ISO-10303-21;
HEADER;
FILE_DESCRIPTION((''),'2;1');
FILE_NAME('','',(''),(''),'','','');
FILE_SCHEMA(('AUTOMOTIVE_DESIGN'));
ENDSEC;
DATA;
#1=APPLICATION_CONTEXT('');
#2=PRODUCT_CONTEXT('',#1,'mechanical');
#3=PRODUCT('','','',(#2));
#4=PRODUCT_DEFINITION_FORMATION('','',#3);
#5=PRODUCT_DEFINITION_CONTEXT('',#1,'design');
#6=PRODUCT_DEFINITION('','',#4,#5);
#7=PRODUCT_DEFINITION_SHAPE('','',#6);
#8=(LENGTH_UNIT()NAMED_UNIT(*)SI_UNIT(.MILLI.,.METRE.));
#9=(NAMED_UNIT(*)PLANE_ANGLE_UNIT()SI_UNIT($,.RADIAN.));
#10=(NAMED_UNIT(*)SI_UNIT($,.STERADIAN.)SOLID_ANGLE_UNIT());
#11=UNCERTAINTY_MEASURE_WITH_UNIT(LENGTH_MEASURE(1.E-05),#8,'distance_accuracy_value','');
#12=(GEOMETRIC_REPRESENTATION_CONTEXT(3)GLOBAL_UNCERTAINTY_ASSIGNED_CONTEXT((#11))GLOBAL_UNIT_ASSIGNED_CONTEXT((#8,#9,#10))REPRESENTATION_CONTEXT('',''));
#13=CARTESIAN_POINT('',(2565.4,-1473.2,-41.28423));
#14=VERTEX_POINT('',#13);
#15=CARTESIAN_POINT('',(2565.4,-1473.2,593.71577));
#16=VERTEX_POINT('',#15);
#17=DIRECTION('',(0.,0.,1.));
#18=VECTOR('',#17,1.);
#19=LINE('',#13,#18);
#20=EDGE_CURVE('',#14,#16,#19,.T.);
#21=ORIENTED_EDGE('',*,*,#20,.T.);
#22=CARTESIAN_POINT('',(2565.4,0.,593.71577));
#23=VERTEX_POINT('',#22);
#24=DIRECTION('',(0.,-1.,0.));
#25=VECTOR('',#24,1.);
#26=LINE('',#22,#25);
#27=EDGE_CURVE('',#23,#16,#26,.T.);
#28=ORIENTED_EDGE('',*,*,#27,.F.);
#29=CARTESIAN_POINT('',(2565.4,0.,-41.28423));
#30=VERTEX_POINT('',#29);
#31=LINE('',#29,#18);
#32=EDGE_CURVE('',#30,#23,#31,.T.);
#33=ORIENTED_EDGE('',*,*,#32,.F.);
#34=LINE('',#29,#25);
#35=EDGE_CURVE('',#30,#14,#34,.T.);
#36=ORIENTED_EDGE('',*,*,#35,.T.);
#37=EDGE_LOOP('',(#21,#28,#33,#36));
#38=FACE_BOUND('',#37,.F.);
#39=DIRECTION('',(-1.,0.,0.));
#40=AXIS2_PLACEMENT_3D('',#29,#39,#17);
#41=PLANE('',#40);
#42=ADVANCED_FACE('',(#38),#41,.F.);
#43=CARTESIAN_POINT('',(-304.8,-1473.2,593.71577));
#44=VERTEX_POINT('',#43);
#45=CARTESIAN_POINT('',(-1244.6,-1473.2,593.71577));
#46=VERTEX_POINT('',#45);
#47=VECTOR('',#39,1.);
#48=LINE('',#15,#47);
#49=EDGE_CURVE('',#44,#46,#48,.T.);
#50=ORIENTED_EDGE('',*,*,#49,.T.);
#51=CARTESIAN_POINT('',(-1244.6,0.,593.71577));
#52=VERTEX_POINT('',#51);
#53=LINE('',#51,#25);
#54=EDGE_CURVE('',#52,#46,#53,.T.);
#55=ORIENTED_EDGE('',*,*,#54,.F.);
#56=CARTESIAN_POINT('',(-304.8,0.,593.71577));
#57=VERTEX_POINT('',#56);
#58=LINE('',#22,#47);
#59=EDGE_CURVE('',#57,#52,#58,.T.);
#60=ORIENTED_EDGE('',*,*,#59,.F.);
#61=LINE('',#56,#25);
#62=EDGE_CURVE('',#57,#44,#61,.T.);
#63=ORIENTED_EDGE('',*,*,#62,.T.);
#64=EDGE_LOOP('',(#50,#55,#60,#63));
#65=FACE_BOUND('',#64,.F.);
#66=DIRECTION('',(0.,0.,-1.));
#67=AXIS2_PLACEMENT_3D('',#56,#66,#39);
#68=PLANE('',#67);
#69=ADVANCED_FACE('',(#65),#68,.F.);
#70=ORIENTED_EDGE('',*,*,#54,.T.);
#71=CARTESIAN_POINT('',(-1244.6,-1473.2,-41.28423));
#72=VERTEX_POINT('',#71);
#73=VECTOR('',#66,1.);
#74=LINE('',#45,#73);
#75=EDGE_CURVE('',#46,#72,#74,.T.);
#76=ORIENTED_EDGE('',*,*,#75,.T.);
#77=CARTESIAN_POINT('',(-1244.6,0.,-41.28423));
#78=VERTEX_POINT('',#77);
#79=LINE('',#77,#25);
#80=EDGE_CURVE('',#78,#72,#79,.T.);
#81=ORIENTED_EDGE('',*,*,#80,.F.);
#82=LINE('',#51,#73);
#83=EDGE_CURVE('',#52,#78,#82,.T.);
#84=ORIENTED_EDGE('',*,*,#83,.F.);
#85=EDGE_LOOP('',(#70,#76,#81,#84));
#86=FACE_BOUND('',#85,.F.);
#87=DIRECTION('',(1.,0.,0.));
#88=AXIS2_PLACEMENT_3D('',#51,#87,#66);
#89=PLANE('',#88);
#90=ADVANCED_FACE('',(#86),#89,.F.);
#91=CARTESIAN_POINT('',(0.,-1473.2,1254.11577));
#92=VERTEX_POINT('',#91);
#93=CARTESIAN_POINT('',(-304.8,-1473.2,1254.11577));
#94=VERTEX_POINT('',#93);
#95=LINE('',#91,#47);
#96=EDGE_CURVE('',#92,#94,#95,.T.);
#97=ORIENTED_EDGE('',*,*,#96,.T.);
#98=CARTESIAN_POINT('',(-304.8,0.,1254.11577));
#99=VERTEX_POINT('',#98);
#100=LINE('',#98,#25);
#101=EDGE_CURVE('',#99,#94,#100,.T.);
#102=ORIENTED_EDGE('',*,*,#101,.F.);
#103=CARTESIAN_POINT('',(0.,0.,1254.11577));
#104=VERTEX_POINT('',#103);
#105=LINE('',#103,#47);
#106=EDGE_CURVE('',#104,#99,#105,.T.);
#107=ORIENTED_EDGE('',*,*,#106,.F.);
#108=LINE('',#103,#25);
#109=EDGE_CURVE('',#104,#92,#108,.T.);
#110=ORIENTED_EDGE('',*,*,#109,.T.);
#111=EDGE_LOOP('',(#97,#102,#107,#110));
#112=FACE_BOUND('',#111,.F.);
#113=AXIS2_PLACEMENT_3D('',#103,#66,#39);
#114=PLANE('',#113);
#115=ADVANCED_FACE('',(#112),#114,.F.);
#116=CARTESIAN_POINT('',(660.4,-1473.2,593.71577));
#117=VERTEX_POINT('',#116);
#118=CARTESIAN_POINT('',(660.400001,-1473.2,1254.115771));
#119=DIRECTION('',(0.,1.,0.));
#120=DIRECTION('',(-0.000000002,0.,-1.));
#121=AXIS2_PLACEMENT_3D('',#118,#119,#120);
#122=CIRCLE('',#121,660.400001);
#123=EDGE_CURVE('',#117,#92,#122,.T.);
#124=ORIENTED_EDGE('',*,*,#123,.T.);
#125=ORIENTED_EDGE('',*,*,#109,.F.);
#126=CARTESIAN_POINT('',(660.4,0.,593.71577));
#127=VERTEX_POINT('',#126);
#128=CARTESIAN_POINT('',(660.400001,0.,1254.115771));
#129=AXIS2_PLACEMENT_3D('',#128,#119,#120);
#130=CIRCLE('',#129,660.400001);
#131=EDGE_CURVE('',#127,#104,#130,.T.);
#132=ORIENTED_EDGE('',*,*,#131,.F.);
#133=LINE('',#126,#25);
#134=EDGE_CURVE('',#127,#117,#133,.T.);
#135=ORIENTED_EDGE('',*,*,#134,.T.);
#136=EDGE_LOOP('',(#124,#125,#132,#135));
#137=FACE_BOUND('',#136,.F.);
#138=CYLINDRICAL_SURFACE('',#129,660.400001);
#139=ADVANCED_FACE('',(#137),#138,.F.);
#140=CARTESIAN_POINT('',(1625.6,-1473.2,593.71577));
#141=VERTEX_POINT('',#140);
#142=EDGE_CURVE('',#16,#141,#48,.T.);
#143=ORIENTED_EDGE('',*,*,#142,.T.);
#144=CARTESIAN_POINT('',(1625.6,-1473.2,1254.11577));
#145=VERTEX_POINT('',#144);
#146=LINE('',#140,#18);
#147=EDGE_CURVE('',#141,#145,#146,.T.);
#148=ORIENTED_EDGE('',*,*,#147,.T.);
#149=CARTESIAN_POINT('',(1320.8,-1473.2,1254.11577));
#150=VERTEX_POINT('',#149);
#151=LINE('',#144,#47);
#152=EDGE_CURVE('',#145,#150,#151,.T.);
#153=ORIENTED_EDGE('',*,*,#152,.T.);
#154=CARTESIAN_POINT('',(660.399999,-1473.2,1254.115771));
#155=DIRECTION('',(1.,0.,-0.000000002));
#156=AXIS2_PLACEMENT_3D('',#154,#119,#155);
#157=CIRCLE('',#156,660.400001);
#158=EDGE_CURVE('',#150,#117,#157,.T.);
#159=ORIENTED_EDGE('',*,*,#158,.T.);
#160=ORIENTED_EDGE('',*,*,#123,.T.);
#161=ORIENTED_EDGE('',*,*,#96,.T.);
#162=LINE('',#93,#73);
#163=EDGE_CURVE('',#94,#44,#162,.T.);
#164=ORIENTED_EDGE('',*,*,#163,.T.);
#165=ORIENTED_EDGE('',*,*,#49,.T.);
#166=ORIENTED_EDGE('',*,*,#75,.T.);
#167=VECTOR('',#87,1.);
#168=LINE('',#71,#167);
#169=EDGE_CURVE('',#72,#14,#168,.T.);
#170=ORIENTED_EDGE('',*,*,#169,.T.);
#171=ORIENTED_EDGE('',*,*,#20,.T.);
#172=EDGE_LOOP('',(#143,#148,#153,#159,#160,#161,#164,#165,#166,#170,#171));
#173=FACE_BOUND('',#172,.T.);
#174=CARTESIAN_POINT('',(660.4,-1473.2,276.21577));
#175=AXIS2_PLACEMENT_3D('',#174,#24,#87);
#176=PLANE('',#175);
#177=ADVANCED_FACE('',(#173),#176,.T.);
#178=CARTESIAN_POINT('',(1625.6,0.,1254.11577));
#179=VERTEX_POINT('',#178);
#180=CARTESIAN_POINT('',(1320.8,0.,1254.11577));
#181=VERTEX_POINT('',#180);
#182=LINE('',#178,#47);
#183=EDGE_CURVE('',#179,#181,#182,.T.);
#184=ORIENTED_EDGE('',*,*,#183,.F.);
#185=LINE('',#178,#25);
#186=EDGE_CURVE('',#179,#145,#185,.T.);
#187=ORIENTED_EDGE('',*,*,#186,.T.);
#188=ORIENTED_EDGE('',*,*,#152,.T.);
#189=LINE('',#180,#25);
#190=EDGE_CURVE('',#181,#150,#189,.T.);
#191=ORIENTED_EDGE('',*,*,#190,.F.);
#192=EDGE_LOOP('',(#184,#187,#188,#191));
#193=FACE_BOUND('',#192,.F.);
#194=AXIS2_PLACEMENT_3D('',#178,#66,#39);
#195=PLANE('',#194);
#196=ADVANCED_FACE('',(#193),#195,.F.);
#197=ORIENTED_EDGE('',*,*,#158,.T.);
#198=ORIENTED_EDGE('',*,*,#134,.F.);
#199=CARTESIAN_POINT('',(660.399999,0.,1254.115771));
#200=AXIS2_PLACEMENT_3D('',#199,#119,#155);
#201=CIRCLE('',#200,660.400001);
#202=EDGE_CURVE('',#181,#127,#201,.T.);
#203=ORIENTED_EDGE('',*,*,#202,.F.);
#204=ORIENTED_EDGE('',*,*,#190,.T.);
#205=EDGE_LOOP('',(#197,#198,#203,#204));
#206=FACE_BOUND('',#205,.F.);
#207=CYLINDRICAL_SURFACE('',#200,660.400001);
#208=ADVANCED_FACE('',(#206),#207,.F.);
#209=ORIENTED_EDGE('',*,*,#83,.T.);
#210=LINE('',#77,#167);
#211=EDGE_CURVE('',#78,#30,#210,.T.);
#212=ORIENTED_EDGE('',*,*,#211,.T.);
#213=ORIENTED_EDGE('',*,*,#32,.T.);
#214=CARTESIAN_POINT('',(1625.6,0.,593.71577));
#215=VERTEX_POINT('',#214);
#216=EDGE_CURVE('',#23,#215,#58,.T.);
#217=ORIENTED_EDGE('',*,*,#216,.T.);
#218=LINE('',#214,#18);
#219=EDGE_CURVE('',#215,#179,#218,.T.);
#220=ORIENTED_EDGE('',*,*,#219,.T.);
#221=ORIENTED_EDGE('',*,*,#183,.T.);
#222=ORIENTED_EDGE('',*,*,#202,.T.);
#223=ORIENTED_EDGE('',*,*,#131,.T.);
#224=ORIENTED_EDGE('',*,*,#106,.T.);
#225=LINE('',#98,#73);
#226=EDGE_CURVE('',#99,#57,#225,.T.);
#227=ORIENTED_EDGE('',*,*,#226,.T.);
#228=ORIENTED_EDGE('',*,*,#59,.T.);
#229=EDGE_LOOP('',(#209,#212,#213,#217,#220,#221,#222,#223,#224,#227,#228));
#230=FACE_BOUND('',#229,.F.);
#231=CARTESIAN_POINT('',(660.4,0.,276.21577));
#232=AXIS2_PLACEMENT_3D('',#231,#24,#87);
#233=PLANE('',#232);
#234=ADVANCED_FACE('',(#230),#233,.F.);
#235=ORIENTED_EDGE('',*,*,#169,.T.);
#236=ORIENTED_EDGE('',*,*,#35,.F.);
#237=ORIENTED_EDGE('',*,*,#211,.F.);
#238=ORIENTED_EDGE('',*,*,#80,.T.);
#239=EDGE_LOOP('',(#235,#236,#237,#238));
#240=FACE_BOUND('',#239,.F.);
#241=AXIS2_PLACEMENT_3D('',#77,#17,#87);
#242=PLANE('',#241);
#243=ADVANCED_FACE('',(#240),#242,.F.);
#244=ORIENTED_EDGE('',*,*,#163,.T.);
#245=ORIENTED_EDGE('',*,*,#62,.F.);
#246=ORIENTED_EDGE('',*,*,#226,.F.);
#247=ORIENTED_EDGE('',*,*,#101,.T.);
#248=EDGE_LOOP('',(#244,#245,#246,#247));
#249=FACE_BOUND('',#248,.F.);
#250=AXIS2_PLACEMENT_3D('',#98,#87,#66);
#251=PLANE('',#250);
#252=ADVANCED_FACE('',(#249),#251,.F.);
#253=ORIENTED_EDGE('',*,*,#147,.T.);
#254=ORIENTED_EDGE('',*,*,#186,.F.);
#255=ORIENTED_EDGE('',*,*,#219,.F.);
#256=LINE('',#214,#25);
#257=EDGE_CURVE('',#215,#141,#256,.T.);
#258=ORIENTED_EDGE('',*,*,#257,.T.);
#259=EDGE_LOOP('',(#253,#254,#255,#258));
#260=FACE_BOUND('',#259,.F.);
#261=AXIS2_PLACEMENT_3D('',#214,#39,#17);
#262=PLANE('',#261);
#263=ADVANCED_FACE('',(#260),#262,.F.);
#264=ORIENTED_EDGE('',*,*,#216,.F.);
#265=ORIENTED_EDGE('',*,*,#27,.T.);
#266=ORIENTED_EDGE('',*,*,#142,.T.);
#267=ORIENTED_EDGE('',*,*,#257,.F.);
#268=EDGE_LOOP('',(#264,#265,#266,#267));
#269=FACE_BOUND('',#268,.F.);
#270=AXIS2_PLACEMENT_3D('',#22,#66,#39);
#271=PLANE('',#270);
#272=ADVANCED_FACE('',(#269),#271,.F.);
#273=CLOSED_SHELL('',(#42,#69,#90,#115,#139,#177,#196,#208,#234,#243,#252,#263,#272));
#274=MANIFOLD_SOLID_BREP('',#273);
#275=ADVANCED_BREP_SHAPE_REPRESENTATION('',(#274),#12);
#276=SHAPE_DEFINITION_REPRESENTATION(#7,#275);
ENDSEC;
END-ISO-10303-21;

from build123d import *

# Parameters (mm, degrees)
F1_DEPTH = 1473.2


with BuildPart() as f1:
    # F0 (on Front) → F1 (new body)
    with BuildSketch(Plane.XZ):
        Polygon((-304.8, 593.71577), (-1244.6, 593.71577), (-1244.6, -41.28423), (2565.4, -41.28423), (2565.4, 593.71577), (1625.6, 593.71577), (660.4, 593.71577), align=None)
        with BuildLine():
            ThreePointArc((1320.8, 1254.11577), (1127.373318, 787.142452), (660.4, 593.71577))
            Line((660.4, 593.71577), (1625.6, 593.71577))
            Line((1625.6, 593.71577), (1625.6, 1254.11577))
            Line((1625.6, 1254.11577), (1320.8, 1254.11577))
        make_face()
        with BuildLine():
            Line((-304.8, 1254.11577), (-304.8, 593.71577))
            Line((-304.8, 593.71577), (660.4, 593.71577))
            ThreePointArc((660.4, 593.71577), (193.426682, 787.142452), (0, 1254.11577))
            Line((0, 1254.11577), (-304.8, 1254.11577))
        make_face()
    extrude(amount=F1_DEPTH)


solid = f1.part
